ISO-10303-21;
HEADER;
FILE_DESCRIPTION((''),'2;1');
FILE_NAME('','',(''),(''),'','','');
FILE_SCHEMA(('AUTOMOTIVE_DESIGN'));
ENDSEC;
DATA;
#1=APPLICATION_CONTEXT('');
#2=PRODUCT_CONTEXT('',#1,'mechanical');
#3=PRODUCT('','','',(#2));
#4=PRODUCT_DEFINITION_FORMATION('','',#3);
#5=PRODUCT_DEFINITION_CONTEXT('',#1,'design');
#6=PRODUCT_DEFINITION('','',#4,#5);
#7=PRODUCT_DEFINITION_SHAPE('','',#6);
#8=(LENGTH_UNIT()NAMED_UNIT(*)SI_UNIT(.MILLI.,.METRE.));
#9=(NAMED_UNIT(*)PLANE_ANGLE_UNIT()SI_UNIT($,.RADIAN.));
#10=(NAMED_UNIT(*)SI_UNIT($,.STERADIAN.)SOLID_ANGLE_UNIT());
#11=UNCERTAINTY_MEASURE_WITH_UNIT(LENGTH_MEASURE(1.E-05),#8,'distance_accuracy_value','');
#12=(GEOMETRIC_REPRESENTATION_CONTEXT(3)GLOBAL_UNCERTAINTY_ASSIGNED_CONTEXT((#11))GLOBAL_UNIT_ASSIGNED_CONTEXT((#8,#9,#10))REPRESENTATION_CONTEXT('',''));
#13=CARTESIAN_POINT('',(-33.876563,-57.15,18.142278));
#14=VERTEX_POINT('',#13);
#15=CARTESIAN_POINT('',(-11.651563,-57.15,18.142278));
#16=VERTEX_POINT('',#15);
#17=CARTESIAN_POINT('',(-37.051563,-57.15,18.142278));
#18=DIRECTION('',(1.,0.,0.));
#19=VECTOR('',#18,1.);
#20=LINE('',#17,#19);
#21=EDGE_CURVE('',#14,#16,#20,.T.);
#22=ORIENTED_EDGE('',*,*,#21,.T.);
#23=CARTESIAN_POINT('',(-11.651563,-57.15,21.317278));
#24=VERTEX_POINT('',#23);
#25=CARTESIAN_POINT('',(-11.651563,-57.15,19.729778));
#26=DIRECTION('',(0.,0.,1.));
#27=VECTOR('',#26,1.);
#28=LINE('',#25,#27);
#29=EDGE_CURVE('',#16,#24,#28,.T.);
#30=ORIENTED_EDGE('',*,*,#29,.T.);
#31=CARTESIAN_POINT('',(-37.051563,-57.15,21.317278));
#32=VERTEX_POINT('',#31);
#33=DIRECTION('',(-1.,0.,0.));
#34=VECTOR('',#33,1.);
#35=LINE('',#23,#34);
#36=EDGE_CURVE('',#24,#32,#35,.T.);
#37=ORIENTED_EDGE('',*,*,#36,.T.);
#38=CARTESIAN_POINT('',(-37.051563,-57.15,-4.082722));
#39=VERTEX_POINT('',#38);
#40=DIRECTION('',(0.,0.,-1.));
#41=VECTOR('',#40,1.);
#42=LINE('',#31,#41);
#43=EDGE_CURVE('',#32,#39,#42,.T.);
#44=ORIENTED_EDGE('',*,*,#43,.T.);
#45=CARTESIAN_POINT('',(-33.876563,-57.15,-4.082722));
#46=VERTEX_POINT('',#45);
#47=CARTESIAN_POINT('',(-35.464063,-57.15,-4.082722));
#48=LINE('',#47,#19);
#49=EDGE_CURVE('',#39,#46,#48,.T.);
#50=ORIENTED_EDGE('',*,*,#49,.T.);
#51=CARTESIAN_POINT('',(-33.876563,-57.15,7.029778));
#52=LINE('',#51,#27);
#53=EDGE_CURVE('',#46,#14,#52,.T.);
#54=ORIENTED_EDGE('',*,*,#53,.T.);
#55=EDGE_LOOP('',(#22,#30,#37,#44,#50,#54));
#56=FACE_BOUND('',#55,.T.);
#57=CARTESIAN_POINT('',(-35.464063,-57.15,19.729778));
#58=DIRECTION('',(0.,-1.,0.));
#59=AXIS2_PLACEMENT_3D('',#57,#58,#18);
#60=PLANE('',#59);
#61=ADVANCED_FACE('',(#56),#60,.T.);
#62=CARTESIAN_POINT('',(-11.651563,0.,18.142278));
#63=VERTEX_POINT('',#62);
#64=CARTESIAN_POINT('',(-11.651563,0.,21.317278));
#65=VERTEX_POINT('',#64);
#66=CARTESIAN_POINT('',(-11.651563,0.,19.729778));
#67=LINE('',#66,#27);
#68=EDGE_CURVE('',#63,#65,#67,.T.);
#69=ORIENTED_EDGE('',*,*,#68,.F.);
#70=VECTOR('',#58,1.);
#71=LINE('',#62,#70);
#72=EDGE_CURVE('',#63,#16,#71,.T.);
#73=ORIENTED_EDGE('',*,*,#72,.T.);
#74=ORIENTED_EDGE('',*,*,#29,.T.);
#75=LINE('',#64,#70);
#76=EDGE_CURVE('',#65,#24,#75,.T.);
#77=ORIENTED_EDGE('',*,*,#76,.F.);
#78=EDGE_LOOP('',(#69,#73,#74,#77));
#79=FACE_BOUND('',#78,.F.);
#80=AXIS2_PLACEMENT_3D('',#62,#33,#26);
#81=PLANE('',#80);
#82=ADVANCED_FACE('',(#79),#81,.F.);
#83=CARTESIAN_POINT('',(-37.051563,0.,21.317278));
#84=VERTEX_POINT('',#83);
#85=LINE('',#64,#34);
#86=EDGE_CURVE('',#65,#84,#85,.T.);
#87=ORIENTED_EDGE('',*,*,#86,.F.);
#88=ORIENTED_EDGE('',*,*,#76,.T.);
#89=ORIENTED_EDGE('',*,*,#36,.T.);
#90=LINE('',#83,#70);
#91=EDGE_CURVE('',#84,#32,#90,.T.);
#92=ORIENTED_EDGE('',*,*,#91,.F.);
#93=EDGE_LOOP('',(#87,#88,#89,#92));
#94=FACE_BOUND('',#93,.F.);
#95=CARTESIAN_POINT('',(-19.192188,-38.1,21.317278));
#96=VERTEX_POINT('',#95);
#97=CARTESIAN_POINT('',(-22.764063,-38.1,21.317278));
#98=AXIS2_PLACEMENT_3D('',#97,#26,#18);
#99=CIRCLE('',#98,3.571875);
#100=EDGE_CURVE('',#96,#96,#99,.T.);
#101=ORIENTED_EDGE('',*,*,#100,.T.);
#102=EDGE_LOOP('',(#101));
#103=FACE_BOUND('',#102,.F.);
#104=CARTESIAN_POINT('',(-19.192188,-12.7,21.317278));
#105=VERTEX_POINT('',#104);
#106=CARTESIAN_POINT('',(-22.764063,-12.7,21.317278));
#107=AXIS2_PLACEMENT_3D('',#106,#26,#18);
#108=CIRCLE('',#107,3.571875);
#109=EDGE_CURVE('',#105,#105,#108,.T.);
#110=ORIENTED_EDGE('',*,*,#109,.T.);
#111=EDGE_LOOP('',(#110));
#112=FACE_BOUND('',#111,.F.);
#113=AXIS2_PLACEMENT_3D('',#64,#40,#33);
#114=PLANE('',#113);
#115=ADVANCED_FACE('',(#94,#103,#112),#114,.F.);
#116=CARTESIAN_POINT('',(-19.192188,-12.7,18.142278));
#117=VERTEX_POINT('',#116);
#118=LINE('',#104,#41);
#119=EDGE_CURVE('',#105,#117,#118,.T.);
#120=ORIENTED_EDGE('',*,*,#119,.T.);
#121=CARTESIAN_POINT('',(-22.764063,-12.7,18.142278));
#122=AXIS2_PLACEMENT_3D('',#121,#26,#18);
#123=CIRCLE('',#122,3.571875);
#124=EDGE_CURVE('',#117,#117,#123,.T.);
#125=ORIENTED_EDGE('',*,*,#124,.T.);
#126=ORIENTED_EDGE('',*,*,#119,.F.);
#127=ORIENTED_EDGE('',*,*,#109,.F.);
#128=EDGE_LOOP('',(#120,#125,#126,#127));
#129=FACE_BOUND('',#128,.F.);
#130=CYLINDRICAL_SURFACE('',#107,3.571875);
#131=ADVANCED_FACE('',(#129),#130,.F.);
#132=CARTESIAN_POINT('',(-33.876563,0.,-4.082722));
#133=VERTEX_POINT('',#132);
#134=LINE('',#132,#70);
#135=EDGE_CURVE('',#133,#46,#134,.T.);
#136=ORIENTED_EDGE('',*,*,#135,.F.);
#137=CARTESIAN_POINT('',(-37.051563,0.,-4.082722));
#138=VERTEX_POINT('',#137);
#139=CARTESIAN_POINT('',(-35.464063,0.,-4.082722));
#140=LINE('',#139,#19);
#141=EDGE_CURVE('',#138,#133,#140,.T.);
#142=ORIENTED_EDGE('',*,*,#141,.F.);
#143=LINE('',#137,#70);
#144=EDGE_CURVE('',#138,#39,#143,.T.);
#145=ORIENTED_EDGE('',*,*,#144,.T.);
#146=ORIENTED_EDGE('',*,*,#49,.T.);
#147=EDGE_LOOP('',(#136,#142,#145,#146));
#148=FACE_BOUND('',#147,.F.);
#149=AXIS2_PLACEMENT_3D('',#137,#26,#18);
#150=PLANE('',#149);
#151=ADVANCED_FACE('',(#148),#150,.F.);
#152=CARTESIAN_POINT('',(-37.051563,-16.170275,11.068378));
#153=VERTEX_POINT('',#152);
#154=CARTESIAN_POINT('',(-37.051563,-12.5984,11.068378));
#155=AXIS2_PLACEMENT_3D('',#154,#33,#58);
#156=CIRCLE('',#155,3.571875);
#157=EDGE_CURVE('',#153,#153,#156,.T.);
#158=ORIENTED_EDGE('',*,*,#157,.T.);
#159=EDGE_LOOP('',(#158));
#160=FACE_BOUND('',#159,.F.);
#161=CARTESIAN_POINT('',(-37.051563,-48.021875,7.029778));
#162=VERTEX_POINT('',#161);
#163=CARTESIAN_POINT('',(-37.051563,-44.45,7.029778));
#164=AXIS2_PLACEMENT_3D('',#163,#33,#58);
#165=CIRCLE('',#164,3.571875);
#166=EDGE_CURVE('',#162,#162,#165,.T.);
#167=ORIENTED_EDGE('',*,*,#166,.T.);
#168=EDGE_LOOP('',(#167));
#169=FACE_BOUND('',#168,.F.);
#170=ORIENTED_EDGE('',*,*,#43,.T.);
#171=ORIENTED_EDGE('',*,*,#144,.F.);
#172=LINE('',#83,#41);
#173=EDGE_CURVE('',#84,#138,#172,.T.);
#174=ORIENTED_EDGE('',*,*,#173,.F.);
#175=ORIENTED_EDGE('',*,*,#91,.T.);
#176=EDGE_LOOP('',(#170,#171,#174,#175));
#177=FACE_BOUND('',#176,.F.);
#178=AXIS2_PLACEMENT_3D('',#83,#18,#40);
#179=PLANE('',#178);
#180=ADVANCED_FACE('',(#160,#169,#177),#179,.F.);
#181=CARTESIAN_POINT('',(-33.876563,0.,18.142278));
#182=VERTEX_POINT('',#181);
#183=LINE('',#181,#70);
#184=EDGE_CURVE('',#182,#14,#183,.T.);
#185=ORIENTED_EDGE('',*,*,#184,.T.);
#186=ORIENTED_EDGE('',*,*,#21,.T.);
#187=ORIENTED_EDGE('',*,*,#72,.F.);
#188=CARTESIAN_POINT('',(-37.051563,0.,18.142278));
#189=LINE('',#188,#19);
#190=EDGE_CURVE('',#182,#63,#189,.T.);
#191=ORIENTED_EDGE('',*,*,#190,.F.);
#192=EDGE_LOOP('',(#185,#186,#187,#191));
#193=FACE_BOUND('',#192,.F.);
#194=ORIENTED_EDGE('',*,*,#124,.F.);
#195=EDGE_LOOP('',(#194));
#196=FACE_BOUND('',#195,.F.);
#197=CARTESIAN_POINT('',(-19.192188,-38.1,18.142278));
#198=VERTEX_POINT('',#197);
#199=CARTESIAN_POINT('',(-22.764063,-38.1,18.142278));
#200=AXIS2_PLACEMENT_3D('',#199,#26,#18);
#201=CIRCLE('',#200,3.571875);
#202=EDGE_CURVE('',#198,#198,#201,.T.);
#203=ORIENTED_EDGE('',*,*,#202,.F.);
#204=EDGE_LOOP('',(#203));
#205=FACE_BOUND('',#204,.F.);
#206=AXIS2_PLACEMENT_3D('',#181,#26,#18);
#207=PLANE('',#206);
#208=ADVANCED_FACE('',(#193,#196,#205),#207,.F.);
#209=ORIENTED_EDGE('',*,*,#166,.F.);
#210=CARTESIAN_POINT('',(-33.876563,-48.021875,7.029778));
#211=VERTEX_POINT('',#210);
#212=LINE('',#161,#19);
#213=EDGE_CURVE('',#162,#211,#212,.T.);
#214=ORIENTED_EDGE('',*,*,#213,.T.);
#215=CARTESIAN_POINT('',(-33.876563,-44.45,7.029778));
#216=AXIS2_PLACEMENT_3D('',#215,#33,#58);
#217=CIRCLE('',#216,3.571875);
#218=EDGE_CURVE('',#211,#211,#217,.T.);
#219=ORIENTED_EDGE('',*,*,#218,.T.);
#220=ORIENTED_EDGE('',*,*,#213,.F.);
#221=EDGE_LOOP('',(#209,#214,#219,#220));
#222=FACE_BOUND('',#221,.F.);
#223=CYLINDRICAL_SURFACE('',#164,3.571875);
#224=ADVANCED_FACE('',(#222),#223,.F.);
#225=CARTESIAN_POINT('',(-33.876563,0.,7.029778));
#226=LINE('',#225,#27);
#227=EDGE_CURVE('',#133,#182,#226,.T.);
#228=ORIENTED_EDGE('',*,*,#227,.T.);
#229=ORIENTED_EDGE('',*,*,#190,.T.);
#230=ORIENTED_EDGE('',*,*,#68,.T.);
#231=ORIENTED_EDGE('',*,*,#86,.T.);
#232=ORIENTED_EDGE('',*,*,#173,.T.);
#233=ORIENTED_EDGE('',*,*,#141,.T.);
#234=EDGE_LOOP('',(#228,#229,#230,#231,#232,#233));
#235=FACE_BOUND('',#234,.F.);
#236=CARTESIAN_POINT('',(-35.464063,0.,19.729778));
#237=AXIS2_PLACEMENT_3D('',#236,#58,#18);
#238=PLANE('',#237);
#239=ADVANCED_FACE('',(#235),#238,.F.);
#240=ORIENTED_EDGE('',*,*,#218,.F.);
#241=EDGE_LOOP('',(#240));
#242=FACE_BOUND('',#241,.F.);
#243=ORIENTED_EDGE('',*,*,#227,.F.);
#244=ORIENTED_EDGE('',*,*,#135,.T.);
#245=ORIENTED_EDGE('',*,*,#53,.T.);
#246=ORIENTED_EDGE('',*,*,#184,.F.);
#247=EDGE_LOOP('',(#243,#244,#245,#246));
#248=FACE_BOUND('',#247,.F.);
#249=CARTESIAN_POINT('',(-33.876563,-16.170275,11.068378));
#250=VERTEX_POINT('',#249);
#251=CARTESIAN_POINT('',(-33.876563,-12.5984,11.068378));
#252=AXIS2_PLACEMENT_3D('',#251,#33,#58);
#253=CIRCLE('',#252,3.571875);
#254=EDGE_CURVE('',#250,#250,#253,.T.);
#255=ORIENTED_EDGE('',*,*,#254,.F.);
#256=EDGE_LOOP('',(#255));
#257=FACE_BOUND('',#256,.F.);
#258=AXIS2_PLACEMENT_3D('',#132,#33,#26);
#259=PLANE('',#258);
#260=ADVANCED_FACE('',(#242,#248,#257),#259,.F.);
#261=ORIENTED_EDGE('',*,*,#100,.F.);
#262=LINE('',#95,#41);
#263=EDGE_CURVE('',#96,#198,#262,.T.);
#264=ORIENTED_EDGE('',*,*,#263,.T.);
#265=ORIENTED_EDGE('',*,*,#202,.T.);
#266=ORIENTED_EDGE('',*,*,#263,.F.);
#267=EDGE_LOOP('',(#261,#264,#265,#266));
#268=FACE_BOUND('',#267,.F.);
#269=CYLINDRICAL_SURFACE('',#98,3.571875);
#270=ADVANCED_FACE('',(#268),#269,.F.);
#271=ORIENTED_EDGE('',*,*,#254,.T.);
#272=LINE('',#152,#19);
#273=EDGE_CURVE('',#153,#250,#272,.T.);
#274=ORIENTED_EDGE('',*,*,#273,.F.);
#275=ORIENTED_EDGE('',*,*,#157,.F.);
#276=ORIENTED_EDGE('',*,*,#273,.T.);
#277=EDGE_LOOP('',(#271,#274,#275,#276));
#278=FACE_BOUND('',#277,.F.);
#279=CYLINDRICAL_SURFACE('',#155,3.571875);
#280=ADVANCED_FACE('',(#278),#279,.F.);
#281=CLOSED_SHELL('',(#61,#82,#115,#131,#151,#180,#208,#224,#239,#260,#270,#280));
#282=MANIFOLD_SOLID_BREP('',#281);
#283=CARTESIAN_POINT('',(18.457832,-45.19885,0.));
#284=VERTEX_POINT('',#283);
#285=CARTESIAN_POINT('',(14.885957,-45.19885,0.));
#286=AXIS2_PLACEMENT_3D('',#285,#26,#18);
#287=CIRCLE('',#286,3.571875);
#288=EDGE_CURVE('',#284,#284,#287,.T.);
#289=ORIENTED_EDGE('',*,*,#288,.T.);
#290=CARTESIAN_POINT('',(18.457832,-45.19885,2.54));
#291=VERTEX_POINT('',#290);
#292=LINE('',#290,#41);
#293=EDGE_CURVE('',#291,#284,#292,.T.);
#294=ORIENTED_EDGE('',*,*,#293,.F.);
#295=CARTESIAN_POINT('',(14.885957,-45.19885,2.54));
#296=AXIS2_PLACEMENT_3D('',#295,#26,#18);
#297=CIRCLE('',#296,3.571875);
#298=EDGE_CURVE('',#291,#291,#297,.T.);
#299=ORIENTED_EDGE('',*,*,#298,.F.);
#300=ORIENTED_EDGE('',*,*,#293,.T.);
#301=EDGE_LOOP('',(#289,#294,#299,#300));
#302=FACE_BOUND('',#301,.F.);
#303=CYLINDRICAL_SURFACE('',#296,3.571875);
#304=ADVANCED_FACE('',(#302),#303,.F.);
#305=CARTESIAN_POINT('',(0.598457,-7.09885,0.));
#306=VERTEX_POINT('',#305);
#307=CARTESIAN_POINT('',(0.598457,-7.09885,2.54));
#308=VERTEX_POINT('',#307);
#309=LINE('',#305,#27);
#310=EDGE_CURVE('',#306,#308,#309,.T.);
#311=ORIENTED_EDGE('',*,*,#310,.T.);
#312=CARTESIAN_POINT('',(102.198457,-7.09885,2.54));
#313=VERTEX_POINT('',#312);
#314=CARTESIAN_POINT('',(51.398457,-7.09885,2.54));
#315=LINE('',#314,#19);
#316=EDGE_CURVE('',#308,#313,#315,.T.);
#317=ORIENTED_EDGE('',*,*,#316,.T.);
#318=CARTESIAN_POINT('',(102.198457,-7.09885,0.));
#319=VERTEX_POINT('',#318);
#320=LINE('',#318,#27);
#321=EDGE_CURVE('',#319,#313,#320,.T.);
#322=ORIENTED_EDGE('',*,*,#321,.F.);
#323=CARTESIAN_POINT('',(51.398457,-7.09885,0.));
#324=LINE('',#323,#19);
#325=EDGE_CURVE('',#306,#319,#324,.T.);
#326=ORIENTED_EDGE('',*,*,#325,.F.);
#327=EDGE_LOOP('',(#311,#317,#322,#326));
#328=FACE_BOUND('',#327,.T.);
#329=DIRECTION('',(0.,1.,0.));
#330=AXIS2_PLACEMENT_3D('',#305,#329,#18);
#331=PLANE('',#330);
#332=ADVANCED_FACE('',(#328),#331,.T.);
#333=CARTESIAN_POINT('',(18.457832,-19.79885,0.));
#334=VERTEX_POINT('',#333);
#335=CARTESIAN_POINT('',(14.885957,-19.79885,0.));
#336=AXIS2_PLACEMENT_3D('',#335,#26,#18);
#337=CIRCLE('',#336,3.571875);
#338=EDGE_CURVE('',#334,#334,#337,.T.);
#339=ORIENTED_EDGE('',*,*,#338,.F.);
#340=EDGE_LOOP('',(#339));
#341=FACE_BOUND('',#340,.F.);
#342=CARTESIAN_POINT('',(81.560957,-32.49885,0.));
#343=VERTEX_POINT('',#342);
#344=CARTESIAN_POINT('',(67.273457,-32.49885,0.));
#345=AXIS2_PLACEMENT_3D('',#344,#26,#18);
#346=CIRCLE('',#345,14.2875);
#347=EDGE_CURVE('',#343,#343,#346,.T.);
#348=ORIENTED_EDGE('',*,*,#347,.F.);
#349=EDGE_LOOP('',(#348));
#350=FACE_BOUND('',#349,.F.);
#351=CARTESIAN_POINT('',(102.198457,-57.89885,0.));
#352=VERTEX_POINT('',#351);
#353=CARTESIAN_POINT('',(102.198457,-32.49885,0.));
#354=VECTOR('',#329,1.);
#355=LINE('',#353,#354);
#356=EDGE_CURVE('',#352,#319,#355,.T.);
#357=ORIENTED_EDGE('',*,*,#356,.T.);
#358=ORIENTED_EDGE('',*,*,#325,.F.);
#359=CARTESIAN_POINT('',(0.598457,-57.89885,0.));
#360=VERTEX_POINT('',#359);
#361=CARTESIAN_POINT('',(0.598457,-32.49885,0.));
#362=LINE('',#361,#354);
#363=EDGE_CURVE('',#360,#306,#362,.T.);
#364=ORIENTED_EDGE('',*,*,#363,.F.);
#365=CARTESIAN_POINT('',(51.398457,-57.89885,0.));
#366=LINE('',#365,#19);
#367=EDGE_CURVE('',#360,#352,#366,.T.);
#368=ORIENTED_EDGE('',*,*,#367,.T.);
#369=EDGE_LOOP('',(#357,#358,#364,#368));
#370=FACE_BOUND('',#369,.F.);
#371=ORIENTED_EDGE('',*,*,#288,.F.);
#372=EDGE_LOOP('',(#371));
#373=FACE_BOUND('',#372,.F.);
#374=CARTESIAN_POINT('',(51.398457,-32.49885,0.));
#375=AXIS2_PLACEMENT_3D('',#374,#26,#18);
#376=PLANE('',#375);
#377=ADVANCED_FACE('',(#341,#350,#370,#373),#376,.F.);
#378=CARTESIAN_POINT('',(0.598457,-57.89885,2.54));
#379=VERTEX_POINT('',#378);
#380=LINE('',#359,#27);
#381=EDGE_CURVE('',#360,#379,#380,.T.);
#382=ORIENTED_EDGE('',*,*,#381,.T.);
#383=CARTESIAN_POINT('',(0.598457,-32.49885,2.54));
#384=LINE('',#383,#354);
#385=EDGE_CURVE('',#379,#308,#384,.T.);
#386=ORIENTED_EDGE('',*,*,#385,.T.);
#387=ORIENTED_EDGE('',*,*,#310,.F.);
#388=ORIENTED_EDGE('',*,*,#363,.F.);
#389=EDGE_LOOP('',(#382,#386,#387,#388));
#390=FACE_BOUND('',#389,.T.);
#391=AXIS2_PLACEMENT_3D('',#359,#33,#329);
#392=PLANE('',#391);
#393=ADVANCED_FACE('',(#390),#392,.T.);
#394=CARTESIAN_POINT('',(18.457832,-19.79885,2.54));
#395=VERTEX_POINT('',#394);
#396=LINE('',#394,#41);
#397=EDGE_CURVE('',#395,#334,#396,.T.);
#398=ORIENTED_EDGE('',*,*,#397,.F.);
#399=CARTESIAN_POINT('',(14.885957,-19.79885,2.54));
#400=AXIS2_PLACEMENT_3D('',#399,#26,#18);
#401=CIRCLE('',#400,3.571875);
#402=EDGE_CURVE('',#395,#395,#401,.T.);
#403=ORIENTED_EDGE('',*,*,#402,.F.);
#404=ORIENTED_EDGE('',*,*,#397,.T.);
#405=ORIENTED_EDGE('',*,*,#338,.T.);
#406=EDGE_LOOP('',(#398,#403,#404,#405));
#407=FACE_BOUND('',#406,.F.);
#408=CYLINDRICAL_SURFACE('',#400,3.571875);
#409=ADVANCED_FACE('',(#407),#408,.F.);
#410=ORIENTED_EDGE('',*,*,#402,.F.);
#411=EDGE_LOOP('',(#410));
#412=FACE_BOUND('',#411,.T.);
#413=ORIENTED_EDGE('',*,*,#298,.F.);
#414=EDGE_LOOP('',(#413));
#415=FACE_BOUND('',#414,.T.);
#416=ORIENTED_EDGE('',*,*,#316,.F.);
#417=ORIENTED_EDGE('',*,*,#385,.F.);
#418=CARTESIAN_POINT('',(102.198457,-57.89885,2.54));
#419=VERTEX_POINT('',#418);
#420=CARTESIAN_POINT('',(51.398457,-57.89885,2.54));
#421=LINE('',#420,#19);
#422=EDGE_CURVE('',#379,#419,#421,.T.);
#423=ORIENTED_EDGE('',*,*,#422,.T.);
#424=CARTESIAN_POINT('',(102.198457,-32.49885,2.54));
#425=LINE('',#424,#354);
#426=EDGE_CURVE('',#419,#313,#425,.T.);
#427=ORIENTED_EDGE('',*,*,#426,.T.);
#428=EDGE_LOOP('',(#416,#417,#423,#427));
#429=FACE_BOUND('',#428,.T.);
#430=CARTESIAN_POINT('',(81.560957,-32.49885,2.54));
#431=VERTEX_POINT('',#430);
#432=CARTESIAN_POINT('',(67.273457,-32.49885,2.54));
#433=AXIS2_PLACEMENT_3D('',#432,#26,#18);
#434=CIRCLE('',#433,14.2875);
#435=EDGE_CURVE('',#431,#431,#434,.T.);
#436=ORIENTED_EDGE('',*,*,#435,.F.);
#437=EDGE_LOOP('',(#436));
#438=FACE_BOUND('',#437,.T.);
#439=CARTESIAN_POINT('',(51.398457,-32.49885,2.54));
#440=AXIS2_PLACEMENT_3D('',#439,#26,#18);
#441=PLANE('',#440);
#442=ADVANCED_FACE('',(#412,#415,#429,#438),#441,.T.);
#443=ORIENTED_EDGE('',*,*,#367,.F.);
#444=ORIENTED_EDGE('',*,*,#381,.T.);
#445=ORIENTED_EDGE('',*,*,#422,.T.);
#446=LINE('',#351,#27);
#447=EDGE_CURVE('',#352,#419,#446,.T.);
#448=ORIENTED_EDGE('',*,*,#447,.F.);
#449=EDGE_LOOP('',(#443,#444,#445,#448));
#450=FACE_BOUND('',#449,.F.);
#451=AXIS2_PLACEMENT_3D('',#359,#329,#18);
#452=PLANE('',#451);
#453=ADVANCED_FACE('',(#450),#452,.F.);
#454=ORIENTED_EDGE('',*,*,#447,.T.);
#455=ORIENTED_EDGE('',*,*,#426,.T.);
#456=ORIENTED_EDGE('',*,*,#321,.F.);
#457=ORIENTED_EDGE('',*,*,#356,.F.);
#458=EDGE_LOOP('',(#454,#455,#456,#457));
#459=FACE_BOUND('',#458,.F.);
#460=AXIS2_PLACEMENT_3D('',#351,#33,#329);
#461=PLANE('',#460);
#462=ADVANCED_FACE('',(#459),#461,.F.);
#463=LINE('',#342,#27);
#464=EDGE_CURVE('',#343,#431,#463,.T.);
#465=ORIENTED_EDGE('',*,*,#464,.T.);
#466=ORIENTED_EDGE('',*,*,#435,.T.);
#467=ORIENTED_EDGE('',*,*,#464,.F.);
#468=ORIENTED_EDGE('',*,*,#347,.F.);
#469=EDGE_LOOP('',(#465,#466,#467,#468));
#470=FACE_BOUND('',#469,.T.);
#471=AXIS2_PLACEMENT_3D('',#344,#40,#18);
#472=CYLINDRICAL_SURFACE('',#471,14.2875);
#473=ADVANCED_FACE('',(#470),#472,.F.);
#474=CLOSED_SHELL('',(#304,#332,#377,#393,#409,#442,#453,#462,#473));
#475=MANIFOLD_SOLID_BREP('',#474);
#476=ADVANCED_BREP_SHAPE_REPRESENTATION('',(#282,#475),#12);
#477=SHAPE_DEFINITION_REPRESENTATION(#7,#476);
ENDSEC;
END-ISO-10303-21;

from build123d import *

# Parameters (mm, degrees)
F0_W     = 101.6
F0_H     = 50.8
F0_R     = 14.2875
F1_DEPTH = 2.54
F2_W     = 3.175
F2_H     = 3.175
F2_W_2   = 22.225
F2_H_2   = 22.225
F3_DEPTH = 57.15
F4_R     = 3.571875
F5_DEPTH = 25.4
F6_R     = 3.571875
F7_DEPTH = 25.4
F8_R     = 3.571875
F9_DEPTH = 5.08


with BuildPart() as f1:
    # F0 (on Top) → F1 (new body)
    with BuildSketch(Plane.XY):
        with Locations((51.398457, -32.49885)):
            Rectangle(F0_W, F0_H)
        with Locations((67.273457, -32.49885)):
            Circle(F0_R, mode=Mode.SUBTRACT)
    extrude(amount=F1_DEPTH)

    # F6 (on face) → F7 (cut)
    with BuildSketch(Plane.XY.offset(2.54)):
        with Locations((14.885957, -19.79885)):
            Circle(F6_R)
        with Locations((14.885957, -45.19885)):
            Circle(F6_R)
    extrude(amount=-F7_DEPTH, mode=Mode.SUBTRACT)


with BuildPart() as f3:
    # F2 (on Front) → F3 (new body)
    with BuildSketch(Plane.XZ):
        with Locations((-35.464063, 19.729778)):
            Rectangle(F2_W, F2_H)
        with Locations((-22.764063, 19.729778)):
            Rectangle(F2_W_2, F2_H)
        with Locations((-35.464063, 7.029778)):
            Rectangle(F2_W, F2_H_2)
    extrude(amount=F3_DEPTH)

    # F4 (on face) → F5 (cut)
    with BuildSketch(Plane.XY.offset(21.317278)):
        with Locations((-22.764063, -12.7)):
            Circle(F4_R)
        with Locations((-22.764063, -38.1)):
            Circle(F4_R)
    extrude(amount=-F5_DEPTH, mode=Mode.SUBTRACT)

    # F8 (on face) → F9 (cut)
    with BuildSketch(Plane(origin=(-37.051563, 0, 0), x_dir=(0, -1, 0), z_dir=(-1, 0, 0))):
        with Locations((12.5984, 11.068378)):
            Circle(F8_R)
        with Locations((44.45, 7.029778)):
            Circle(F8_R)
    extrude(amount=-F9_DEPTH, mode=Mode.SUBTRACT)


solid = Compound([f1.part, f3.part])
